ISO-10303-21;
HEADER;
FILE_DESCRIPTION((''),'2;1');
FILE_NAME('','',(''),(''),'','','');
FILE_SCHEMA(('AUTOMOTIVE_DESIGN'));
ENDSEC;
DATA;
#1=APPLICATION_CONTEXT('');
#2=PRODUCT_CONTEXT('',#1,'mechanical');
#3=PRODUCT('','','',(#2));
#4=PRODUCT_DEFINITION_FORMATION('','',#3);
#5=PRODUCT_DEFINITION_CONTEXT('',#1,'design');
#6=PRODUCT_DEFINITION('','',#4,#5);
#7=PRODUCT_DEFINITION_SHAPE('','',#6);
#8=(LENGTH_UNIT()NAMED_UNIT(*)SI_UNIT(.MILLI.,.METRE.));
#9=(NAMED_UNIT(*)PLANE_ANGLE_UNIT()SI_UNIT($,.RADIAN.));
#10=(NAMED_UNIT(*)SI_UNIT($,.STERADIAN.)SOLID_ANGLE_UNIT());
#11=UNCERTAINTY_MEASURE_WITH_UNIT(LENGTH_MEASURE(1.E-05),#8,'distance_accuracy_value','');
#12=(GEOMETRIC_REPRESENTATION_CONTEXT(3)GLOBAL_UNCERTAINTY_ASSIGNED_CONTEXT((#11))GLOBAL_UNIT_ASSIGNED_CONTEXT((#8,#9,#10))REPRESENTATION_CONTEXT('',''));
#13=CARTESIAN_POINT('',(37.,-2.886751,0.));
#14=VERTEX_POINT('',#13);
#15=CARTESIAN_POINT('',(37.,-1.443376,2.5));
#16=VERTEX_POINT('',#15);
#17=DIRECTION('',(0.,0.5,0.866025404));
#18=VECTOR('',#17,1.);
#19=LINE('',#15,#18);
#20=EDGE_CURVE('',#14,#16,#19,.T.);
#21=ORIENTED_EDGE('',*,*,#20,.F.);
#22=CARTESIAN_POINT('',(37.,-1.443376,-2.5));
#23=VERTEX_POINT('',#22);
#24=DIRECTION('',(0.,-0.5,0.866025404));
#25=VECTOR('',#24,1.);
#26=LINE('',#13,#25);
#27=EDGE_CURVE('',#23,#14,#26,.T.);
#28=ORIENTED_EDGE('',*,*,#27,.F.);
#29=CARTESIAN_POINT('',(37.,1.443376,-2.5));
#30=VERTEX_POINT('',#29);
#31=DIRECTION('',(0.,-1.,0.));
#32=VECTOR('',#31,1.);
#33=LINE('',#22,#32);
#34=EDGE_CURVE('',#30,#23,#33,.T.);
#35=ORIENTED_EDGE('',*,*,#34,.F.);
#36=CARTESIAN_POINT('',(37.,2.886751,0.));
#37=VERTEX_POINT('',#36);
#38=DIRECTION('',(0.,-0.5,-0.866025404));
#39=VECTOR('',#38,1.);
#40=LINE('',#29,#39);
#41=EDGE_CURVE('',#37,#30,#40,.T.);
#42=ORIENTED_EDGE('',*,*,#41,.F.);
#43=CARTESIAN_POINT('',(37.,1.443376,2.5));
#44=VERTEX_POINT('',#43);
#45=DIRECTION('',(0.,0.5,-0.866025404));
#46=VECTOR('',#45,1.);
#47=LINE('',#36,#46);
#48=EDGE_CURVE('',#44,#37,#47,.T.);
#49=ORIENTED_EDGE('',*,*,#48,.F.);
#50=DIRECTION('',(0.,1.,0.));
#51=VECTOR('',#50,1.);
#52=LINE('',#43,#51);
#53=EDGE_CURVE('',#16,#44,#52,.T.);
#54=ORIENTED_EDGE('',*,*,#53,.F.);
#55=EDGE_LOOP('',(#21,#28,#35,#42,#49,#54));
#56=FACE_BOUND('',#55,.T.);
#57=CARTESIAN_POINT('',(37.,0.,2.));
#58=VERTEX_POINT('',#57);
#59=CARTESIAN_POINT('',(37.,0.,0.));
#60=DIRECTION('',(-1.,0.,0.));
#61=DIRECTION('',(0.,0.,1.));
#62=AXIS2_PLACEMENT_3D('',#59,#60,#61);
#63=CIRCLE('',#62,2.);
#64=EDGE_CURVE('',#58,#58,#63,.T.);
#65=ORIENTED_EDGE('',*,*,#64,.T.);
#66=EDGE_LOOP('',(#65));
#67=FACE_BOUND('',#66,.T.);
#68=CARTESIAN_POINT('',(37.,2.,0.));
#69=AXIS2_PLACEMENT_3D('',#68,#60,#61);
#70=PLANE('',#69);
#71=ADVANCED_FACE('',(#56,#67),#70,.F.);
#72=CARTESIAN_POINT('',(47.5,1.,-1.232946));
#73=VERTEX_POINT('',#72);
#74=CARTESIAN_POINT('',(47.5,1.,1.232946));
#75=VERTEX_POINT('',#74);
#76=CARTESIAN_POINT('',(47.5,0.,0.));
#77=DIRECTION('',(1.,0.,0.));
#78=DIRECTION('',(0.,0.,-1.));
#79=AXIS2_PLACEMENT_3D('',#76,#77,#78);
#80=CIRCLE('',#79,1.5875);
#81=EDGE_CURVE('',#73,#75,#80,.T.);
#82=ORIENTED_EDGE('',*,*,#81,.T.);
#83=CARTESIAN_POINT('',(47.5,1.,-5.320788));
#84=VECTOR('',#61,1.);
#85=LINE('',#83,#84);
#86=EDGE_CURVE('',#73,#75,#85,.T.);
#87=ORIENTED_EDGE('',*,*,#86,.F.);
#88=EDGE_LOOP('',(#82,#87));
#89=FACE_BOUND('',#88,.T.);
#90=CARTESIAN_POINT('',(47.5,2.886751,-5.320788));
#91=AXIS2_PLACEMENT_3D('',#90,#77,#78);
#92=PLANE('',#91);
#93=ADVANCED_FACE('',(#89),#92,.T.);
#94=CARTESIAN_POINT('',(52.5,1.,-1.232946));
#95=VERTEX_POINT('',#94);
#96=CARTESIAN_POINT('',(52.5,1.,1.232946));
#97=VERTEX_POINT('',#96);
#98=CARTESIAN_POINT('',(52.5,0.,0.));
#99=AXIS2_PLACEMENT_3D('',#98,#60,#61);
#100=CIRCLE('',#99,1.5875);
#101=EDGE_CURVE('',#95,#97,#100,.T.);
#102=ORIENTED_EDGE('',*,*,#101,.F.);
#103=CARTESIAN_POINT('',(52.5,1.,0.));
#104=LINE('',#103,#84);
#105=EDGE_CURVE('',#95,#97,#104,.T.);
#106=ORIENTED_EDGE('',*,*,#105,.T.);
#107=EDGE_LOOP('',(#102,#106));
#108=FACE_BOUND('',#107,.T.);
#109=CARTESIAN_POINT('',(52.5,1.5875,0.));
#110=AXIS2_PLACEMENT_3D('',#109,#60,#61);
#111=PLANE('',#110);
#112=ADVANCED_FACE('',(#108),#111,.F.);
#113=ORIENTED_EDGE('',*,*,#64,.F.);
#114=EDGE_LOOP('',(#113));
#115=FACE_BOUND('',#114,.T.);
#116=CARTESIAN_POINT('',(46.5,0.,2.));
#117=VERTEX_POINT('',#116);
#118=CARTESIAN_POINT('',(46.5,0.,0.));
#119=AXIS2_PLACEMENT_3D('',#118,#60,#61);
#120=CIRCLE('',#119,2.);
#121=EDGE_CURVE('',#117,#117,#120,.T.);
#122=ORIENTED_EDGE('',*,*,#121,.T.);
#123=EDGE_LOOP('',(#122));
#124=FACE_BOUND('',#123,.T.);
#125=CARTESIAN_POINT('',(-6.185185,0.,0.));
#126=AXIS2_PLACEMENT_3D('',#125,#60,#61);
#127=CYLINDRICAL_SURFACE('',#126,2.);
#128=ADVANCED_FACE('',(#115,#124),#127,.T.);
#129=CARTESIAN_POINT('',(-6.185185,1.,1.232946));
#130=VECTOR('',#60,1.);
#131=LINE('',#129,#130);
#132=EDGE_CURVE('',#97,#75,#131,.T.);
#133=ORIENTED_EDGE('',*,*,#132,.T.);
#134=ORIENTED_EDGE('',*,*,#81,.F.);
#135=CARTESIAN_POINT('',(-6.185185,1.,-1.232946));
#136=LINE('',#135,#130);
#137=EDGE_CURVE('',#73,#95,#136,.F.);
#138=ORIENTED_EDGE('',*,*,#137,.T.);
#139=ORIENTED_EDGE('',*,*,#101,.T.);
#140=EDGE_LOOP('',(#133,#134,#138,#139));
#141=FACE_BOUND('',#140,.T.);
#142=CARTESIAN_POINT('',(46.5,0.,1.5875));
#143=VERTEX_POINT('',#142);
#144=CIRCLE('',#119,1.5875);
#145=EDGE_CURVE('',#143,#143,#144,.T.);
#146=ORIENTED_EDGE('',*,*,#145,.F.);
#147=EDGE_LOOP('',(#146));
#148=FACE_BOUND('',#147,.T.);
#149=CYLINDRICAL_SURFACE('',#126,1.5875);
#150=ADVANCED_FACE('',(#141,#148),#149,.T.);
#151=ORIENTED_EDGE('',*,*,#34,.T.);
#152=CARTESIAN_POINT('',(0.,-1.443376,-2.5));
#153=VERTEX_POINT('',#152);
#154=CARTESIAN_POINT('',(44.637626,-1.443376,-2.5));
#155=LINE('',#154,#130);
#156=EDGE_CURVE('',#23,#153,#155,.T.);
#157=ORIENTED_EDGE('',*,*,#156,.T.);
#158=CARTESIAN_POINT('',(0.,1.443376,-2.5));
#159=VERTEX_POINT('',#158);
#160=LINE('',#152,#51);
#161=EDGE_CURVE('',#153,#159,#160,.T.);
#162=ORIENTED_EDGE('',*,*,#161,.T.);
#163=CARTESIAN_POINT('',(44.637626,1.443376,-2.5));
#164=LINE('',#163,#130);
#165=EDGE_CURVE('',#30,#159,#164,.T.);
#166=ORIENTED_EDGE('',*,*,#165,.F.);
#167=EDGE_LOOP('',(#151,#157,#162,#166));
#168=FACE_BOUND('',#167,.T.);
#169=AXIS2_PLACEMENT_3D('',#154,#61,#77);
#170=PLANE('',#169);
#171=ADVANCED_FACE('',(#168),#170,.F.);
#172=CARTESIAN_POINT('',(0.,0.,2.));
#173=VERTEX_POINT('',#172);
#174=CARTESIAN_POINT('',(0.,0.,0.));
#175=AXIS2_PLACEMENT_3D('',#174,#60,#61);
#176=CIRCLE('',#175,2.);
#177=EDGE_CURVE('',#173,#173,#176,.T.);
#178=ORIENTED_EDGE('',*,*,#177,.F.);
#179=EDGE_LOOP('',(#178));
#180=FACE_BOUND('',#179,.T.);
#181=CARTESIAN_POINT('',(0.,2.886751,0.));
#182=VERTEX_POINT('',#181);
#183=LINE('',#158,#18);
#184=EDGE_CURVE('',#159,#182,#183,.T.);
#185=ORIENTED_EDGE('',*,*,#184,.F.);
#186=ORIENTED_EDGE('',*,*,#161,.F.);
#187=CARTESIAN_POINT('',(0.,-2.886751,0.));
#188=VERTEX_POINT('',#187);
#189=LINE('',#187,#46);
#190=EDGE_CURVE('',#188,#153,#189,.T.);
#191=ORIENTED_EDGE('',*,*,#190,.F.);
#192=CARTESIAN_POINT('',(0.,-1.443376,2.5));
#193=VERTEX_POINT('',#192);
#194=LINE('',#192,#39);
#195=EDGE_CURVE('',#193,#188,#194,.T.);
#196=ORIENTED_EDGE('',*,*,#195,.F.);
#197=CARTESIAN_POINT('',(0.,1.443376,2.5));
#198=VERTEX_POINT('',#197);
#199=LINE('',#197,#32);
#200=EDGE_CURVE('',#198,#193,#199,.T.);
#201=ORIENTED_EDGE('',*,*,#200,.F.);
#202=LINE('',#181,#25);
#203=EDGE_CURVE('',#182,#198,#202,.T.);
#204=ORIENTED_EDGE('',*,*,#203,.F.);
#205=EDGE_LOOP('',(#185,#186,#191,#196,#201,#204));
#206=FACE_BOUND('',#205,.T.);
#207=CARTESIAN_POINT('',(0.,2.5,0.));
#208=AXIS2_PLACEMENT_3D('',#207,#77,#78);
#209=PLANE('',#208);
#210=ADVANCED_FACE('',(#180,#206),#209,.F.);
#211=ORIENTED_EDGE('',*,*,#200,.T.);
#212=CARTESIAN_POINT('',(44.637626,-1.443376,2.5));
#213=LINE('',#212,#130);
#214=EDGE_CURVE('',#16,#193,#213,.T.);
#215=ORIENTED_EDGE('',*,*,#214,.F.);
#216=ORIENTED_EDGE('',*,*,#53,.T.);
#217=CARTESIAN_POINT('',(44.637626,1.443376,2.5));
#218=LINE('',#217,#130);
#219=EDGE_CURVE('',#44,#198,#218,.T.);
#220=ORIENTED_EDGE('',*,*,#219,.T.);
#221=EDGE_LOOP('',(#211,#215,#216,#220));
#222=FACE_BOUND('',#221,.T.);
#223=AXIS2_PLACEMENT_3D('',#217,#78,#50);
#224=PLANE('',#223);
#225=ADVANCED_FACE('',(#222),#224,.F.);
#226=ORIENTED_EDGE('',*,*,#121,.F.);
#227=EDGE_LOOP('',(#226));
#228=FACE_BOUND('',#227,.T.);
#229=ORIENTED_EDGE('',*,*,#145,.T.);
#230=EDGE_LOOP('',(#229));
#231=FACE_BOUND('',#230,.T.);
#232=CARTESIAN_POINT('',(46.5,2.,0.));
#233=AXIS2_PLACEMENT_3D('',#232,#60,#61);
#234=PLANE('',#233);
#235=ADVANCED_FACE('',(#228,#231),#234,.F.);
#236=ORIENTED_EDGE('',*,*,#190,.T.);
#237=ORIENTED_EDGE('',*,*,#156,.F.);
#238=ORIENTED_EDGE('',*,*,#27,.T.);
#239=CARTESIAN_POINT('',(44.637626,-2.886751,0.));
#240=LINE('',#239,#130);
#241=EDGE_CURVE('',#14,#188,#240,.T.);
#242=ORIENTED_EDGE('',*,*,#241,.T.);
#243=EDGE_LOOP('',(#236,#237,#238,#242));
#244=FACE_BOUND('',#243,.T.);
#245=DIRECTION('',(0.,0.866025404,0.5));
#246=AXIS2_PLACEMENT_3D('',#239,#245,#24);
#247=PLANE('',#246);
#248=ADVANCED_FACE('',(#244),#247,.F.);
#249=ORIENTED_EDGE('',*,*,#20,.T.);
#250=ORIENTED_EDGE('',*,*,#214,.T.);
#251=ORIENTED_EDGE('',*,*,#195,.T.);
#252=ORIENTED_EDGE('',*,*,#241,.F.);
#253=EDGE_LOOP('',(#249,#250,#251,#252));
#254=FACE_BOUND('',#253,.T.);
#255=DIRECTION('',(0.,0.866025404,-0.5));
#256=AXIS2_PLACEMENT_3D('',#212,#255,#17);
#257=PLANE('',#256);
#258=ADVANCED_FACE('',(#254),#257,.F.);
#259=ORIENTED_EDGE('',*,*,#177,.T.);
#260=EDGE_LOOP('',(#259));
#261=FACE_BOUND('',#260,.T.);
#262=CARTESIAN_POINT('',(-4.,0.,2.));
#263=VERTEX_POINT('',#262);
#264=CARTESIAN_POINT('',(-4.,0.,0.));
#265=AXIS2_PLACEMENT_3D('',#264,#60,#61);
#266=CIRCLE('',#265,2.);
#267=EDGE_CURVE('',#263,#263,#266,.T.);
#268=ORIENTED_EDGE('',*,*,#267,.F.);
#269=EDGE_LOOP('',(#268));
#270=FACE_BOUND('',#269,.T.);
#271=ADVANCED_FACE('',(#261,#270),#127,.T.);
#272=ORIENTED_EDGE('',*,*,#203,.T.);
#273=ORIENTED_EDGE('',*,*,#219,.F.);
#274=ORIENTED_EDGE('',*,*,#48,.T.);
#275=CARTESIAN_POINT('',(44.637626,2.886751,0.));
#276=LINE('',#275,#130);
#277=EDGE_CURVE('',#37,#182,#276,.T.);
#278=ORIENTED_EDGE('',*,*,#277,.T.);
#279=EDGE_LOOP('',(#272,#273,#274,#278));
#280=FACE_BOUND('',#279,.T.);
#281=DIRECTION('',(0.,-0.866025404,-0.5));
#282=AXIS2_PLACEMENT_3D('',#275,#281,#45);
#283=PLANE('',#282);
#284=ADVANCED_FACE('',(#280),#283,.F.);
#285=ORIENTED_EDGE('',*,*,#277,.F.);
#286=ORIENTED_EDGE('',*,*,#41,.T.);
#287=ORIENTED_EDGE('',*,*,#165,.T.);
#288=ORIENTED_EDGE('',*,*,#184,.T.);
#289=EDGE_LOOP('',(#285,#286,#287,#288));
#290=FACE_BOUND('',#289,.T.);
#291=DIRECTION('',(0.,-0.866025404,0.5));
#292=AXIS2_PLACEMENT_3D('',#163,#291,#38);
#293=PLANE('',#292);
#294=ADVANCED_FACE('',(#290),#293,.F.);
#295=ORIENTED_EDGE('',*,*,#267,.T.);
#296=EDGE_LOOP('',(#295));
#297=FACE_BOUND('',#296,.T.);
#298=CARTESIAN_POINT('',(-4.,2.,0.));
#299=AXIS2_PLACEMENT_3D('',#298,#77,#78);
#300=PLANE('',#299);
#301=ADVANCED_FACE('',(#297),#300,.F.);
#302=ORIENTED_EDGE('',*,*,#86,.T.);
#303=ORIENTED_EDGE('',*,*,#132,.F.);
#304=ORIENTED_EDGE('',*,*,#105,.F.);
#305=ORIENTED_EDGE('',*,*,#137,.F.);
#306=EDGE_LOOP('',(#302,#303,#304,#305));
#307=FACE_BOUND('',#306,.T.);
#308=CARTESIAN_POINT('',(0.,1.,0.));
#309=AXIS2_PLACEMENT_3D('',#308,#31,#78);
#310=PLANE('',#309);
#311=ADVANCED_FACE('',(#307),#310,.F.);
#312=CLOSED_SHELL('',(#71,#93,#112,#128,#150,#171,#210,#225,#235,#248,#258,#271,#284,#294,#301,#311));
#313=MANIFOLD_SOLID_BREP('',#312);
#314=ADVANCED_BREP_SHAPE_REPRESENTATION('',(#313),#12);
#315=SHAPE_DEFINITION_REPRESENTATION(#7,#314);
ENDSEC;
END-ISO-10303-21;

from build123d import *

# Parameters (mm, degrees)
BOSS_EXTRUDE1_DEPTH = 37
SKETCH4_W           = 8.655670696
SKETCH4_H           = 10.70324871
CUT_EXTRUDE1_DEPTH  = 2.886751346


with BuildPart() as part:
    # Sketch1 → Revolve1 (revolve)
    with BuildSketch(Plane.XY):
        Polygon((0, 2), (-4, 2), (-4, 0), (52.5, 0), (52.5, 1.5875), (46.5, 1.5875), (46.5, 2), (37, 2), (37, 2.5), (0, 2.5), align=None)
    revolve(axis=Axis((-6.185185185, 0, 0), (1, 0, 0)))

    # Sketch2 → Boss-Extrude1 (add)
    with BuildSketch(Plane(origin=(0, 0, 0), x_dir=(0, 0, -1), z_dir=(1, 0, 0))):
        Polygon((0, 2.886751346), (-2.5, 1.443375673), (-2.5, -1.443375673), (0, -2.886751346), (2.5, -1.443375673), (2.5, 1.443375673), align=None)
    extrude(amount=BOSS_EXTRUDE1_DEPTH)

    # Sketch4 → Cut-Extrude1 (cut, through all)
    with BuildSketch(Plane(origin=(0, 1, 0), x_dir=(1, 0, 0), z_dir=(0, 1, 0))):
        with Locations((51.827835348, -0.030836047)):
            Rectangle(SKETCH4_W, SKETCH4_H)
    extrude(amount=CUT_EXTRUDE1_DEPTH, mode=Mode.SUBTRACT)


solid = part.part
